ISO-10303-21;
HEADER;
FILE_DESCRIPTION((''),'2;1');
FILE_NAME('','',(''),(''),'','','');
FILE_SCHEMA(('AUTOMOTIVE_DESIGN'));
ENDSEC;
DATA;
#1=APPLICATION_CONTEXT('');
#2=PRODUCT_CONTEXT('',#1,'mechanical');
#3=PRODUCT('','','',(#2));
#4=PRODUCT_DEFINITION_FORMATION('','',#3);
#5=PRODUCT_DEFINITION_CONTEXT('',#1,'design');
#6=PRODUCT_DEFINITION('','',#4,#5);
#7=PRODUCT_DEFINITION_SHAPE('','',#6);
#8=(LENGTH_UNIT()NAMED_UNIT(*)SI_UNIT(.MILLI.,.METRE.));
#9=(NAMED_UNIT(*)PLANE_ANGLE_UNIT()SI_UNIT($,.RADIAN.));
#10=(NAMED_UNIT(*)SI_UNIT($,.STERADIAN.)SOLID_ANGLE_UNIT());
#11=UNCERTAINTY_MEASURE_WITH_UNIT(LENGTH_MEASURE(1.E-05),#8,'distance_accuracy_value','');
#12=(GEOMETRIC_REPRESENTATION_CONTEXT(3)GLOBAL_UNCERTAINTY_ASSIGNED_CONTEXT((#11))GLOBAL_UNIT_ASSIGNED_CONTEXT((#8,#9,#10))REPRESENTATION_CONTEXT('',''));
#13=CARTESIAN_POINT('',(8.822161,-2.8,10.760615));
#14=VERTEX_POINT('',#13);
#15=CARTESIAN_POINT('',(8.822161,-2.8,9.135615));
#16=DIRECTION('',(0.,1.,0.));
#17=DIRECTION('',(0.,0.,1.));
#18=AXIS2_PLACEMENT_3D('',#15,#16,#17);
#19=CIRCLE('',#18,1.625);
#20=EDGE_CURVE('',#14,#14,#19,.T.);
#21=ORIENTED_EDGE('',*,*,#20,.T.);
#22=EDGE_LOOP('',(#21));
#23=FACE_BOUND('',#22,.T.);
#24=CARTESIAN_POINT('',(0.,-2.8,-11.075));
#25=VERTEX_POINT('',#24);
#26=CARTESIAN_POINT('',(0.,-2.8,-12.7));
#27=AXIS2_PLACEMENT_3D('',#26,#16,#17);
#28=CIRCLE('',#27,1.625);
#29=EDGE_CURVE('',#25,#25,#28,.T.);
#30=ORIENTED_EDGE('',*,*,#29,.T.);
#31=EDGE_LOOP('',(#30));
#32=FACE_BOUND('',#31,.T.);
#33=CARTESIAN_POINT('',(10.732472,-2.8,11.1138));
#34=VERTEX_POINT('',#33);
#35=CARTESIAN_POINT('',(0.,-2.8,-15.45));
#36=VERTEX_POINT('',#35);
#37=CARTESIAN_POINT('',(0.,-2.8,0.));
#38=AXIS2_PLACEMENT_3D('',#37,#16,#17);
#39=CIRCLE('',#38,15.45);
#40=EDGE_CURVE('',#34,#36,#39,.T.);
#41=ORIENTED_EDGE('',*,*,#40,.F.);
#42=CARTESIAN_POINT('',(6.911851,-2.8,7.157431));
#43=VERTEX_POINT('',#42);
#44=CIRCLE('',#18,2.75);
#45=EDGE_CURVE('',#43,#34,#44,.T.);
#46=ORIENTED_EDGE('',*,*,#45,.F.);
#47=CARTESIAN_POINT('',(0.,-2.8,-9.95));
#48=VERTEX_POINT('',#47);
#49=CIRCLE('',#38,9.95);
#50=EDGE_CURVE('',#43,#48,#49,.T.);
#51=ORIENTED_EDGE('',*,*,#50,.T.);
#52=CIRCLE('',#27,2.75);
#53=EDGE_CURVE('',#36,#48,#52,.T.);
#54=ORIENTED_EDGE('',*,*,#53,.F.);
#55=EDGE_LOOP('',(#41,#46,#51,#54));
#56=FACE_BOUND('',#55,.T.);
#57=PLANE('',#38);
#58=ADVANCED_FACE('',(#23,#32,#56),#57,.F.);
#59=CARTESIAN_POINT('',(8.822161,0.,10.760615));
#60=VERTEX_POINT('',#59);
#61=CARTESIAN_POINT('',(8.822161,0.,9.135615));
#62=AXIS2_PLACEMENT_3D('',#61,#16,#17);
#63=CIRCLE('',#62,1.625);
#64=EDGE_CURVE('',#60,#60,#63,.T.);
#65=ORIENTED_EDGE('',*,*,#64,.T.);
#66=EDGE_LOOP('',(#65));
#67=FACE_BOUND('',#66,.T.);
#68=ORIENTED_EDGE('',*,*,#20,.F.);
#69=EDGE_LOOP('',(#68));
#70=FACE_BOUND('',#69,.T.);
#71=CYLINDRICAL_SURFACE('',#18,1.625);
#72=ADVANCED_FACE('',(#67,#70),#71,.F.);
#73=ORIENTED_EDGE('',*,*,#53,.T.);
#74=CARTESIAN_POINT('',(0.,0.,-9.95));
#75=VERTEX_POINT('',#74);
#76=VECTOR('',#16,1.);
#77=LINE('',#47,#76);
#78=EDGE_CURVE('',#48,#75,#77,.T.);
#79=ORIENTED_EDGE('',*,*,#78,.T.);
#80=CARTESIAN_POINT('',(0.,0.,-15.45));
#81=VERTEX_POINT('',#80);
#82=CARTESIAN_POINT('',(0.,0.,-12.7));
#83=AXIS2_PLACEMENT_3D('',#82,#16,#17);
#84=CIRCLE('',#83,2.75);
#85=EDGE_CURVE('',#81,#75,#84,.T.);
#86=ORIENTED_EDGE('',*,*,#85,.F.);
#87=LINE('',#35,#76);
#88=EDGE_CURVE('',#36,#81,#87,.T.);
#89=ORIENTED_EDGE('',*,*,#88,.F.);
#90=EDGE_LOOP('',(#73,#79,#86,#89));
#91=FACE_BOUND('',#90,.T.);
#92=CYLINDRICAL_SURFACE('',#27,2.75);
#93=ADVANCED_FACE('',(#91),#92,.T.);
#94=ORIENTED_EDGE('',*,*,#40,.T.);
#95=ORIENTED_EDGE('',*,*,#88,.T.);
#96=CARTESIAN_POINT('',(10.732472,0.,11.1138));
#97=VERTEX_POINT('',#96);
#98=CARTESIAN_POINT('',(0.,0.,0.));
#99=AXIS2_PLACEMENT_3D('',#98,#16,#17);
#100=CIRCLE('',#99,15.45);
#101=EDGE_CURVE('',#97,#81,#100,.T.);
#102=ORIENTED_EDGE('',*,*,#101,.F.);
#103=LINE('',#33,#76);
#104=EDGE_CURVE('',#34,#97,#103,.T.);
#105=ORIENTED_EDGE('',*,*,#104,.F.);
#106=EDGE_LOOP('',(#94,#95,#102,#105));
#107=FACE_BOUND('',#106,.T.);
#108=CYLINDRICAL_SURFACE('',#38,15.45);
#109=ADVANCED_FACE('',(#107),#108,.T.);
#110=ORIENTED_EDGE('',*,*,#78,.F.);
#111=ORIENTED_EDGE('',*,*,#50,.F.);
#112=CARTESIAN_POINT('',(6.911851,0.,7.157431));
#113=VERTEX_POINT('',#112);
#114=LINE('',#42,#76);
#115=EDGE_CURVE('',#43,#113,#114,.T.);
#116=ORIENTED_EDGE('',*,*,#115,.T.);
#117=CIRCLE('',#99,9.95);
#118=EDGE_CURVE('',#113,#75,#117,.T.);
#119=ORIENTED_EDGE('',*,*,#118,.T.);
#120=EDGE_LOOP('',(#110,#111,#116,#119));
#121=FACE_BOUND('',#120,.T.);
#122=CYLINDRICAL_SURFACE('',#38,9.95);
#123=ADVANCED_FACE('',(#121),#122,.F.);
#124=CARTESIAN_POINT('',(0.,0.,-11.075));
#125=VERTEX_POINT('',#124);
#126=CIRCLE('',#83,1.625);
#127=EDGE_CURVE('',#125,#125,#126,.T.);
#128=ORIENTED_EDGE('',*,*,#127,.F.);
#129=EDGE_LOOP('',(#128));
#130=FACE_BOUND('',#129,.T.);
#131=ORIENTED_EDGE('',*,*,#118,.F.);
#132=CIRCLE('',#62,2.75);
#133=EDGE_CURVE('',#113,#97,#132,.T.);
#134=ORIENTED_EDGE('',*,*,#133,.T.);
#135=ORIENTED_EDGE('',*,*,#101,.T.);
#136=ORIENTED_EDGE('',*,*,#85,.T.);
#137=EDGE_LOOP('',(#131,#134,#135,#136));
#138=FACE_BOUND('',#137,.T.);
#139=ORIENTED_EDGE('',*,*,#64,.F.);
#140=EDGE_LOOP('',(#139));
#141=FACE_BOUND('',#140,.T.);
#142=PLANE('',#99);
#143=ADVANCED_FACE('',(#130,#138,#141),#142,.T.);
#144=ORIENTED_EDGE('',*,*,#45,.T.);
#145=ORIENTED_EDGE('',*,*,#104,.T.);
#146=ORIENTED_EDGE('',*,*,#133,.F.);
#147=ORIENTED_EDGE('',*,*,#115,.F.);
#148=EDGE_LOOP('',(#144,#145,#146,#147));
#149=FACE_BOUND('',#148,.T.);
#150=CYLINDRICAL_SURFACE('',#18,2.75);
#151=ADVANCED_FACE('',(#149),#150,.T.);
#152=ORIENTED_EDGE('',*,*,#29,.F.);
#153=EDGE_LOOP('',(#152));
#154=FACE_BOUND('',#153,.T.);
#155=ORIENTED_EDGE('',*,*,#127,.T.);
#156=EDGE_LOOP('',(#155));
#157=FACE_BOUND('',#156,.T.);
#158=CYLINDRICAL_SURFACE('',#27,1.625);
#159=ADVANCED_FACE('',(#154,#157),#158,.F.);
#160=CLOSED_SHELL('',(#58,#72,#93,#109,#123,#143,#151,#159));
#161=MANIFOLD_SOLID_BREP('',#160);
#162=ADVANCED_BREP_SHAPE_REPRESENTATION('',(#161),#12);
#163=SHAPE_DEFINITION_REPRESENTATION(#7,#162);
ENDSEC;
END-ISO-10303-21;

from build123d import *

# Parameters (mm, degrees)
ESTRUSIONE_ESTRUSIONE1_DEPTH = 2.8
SCHIZZO3_R                   = 1.625
TAGLIO_ESTRUSIONE1_DEPTH     = 3.8


with BuildPart() as part:
    # Schizzo1 → Estrusione-Estrusione1 (new body)
    with BuildSketch(Plane(origin=(0, 0, 0), x_dir=(1, 0, 0), z_dir=(0, 1, 0))):
        with BuildLine():
            Line((0, 12.183185174), (0, 9.95))
            ThreePointArc((0, 9.95), (7.035712473, 7.035712473), (9.95, 0))
            ThreePointArc((9.95, 0), (9.159023292, -3.887774728), (6.911850786, -7.157431013))
            ThreePointArc((6.911850786, -7.157431013), (6.843976854, -11.045925983), (10.732471824, -11.113799915))
            ThreePointArc((10.732471824, -11.113799915), (14.221799986, -6.036795935), (15.45, 0))
            ThreePointArc((15.45, 0), (10.924799769, 10.924799769), (0, 15.45))
            Line((0, 15.45), (0, 12.183185174))
        make_face()
        with BuildLine():
            ThreePointArc((0, 15.45), (-2.75, 12.7), (0, 9.95))
            Line((0, 9.95), (0, 12.183185174))
            Line((0, 12.183185174), (0, 15.45))
        make_face()
    extrude(amount=-ESTRUSIONE_ESTRUSIONE1_DEPTH)

    # Schizzo3 → Taglio-Estrusione1 (cut, through all)
    with BuildSketch(Plane(origin=(0, 0, 0), x_dir=(1, 0, 0), z_dir=(0, 1, 0))):
        with Locations((0, 12.7)):
            Circle(SCHIZZO3_R)
        with Locations((8.822161305, -9.135615464)):
            Circle(SCHIZZO3_R)
    extrude(amount=-TAGLIO_ESTRUSIONE1_DEPTH, mode=Mode.SUBTRACT)


solid = part.part
